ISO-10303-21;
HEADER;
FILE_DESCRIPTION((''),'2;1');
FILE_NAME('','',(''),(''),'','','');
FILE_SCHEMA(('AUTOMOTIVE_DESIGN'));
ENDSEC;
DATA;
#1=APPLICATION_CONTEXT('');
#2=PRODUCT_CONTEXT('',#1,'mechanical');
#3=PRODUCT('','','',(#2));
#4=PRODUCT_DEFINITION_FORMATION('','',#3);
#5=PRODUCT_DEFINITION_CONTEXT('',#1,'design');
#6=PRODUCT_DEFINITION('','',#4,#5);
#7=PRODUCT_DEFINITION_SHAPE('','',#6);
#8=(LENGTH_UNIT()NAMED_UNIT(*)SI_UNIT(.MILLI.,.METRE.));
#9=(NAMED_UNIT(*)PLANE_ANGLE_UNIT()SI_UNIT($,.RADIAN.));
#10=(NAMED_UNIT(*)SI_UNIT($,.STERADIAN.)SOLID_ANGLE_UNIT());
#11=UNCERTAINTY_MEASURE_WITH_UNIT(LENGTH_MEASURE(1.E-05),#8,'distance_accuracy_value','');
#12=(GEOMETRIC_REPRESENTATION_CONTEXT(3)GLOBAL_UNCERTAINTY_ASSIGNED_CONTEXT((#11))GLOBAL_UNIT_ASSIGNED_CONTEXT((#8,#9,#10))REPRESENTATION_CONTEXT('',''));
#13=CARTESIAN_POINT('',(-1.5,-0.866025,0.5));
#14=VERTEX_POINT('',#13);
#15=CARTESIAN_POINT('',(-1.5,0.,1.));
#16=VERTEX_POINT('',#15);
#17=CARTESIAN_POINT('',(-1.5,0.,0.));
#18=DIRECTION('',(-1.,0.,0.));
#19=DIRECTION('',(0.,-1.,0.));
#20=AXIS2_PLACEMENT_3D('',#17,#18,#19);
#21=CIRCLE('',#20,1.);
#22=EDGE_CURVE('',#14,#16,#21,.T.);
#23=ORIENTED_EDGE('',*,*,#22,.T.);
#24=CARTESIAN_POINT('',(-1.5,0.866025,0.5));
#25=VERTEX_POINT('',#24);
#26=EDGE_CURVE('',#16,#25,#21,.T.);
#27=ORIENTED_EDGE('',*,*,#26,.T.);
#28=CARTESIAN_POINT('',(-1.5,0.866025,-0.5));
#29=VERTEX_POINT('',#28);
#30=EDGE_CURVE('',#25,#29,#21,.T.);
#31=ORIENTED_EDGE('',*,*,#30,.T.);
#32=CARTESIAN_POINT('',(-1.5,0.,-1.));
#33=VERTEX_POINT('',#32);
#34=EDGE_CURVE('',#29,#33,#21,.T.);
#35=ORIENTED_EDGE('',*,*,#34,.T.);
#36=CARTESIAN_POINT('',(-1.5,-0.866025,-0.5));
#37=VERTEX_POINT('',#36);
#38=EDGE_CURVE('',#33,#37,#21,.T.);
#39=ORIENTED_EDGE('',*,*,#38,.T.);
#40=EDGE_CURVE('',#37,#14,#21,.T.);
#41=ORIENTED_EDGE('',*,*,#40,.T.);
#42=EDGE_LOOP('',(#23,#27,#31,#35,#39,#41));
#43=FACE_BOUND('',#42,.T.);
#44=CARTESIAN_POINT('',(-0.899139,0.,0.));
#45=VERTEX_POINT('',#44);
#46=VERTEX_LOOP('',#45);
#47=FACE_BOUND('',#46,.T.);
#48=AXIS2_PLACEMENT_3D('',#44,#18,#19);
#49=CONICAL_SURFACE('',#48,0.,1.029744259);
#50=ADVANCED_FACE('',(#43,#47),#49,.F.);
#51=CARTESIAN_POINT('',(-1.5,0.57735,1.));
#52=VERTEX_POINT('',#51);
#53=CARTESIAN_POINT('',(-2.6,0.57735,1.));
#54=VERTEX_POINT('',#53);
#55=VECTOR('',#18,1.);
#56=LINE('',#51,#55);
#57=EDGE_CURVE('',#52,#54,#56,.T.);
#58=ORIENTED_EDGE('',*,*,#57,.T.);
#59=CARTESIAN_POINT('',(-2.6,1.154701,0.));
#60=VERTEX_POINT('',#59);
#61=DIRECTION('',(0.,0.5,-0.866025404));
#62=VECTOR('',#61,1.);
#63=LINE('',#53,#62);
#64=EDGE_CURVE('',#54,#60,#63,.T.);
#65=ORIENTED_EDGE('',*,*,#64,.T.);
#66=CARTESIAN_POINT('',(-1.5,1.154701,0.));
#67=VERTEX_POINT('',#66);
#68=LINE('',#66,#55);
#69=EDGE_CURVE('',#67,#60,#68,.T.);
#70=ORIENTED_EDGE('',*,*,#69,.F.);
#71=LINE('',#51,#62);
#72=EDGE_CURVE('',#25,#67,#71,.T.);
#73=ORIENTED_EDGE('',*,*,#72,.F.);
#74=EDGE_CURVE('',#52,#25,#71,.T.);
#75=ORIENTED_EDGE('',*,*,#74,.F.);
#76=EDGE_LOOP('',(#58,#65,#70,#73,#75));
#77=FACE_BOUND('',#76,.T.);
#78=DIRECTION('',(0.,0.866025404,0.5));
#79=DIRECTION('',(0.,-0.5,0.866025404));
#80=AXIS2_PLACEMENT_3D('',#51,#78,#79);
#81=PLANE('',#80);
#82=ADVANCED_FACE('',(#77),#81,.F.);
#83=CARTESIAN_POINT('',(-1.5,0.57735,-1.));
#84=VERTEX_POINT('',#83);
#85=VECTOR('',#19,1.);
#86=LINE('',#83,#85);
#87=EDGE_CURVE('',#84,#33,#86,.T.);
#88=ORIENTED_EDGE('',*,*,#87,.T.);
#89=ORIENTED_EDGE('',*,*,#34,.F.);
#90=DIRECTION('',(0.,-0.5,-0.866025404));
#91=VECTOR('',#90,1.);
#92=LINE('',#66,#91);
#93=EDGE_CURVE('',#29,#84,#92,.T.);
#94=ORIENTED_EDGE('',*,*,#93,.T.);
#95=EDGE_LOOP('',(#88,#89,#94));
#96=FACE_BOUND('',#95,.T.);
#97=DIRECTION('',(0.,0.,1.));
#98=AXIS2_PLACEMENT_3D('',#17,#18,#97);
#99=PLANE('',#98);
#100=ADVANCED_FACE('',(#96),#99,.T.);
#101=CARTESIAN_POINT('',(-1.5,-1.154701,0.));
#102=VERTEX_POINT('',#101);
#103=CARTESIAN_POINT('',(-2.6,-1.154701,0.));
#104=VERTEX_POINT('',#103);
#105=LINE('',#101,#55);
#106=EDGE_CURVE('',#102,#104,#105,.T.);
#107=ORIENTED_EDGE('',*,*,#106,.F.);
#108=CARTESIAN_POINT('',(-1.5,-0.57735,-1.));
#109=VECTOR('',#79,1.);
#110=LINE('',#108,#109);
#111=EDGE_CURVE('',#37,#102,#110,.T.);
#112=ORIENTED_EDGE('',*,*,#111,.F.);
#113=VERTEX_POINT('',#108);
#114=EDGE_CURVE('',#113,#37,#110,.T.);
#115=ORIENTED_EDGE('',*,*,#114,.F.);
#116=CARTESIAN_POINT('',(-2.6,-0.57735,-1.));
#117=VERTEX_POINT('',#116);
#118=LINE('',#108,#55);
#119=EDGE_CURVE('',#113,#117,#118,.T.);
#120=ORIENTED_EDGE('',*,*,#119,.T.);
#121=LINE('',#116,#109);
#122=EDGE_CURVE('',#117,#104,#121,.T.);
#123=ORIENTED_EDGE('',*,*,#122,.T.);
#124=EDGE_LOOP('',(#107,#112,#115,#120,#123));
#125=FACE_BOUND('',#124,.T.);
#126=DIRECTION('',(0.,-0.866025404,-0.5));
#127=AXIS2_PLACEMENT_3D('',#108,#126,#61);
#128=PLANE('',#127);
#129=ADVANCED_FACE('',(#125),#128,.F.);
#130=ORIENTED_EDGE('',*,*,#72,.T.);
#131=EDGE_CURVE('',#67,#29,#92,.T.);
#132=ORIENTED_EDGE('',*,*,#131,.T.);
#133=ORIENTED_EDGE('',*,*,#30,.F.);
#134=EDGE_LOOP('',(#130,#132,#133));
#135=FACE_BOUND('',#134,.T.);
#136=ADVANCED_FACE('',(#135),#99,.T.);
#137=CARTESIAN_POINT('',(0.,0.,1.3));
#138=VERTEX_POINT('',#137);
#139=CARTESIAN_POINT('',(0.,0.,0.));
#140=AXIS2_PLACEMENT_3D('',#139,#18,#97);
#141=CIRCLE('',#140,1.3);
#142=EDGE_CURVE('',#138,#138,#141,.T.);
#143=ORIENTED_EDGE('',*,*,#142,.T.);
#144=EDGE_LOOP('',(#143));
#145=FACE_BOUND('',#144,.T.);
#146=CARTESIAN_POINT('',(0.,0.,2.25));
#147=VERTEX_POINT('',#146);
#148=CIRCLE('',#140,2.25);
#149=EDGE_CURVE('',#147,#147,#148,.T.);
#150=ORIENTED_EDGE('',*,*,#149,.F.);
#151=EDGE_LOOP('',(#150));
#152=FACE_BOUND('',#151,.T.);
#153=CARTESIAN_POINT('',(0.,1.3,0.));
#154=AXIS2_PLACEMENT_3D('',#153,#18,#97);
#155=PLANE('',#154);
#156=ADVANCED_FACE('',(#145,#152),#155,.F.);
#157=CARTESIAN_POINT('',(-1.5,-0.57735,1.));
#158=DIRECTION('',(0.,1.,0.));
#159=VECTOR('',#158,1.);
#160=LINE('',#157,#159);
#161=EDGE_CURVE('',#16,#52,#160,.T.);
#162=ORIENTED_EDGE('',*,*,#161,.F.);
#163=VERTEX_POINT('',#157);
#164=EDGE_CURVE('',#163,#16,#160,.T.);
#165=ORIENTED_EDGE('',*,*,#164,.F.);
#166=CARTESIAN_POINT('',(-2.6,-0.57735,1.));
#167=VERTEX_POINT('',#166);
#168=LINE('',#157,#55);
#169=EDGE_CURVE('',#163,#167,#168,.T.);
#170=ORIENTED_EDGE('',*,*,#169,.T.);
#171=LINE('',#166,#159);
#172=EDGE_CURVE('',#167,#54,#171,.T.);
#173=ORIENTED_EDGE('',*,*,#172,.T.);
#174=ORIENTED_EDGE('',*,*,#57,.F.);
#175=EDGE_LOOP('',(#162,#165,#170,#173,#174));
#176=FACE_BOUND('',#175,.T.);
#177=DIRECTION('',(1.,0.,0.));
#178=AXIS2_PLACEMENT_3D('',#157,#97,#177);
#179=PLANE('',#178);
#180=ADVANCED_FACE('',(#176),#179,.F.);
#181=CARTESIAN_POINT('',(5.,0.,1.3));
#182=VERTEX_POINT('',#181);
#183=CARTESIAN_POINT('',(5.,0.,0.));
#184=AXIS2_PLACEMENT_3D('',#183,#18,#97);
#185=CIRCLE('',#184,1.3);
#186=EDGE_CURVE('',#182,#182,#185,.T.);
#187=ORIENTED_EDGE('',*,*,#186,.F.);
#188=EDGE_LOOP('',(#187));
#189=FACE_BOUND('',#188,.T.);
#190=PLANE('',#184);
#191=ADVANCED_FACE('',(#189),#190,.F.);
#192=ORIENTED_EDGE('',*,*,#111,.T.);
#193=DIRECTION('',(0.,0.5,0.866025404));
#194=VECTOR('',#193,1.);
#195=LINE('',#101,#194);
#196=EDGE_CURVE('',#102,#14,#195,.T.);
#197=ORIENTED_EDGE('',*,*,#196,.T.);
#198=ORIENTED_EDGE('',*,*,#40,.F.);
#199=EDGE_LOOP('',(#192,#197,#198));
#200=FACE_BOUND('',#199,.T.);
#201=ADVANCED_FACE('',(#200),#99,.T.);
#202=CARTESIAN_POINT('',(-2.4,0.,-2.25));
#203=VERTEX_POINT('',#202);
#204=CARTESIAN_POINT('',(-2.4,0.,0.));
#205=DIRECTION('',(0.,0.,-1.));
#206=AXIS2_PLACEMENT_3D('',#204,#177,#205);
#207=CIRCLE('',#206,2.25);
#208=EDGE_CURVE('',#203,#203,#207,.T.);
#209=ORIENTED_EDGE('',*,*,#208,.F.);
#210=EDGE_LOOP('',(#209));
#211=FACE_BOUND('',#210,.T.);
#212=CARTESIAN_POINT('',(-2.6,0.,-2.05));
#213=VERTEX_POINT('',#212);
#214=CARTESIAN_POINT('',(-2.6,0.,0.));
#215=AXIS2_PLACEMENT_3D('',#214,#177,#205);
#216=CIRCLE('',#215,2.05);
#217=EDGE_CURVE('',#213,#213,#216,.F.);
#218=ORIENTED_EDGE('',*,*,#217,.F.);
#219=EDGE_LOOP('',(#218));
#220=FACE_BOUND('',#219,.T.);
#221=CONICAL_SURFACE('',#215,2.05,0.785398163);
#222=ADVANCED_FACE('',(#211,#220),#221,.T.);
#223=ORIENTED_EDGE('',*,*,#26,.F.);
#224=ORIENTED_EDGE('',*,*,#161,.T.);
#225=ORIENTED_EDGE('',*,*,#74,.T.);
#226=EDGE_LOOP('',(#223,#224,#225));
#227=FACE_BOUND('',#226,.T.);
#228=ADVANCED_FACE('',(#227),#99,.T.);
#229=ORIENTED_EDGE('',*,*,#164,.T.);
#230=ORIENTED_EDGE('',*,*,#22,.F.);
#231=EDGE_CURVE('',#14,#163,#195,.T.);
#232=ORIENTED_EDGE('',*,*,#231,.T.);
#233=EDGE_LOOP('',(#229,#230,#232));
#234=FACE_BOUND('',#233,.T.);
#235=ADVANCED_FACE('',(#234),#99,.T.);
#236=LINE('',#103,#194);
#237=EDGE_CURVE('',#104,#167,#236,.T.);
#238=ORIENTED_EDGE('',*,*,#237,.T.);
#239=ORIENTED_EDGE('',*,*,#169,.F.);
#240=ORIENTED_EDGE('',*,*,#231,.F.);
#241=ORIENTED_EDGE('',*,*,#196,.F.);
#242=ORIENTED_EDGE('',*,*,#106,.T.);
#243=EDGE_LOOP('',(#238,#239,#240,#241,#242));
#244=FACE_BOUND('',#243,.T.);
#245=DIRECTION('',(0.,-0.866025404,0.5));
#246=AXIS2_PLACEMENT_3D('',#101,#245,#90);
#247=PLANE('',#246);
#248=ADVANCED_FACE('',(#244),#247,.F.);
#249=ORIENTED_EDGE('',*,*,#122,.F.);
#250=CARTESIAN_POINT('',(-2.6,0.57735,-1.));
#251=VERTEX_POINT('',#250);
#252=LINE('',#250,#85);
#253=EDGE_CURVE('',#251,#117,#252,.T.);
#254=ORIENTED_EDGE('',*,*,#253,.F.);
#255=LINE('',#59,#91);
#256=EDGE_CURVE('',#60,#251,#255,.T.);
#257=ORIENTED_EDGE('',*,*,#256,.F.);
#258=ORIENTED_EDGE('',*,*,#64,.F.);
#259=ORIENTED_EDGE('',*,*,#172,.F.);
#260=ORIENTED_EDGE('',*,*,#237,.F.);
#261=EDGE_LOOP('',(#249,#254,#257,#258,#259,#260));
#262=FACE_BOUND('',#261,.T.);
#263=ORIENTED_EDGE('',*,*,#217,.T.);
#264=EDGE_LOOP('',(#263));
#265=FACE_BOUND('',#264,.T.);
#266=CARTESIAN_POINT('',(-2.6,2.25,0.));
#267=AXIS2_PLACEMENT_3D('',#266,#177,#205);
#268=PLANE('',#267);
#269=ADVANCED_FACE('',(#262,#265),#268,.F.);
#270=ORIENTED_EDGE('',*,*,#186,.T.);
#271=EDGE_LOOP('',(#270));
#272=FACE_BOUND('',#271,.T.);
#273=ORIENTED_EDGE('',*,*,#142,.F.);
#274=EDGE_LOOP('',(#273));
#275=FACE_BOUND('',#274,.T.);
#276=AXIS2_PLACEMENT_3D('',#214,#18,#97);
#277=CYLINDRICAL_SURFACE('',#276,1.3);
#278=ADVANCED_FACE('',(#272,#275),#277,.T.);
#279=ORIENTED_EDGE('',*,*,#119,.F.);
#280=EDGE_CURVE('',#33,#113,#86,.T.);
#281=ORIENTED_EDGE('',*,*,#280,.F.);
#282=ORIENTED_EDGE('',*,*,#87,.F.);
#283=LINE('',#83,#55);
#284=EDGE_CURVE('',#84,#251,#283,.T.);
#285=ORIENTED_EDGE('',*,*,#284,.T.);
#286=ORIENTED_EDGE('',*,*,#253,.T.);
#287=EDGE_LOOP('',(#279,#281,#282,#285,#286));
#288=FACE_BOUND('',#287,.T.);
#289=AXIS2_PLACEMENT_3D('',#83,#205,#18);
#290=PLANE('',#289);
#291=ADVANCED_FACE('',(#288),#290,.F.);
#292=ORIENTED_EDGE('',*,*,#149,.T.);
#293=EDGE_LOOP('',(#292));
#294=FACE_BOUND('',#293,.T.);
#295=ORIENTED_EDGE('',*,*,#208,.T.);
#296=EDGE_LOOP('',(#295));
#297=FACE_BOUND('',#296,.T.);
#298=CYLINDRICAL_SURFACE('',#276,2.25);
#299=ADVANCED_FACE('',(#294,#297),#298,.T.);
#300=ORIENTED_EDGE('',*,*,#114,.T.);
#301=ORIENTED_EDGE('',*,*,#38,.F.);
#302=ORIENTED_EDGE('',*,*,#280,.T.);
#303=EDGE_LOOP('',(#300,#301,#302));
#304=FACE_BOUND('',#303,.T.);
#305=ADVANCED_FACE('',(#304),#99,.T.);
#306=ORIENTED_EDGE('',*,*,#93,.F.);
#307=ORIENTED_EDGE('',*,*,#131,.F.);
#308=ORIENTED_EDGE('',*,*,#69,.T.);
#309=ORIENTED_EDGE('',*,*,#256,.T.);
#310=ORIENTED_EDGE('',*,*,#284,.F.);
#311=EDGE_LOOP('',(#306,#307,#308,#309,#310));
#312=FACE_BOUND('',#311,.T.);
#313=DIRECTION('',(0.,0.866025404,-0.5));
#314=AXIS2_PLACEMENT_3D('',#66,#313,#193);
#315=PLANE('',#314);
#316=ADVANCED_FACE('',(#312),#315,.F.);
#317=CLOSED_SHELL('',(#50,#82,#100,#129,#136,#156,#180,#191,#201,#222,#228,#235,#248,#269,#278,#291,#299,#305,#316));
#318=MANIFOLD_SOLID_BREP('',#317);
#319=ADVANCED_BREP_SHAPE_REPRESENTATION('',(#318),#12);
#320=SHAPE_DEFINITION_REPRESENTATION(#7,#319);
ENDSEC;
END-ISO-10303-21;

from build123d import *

# Parameters (mm, degrees)
CHAMFER1_SIZE      = 0.2
CUT_EXTRUDE1_DEPTH = 1.1


with BuildPart() as part:
    # Sketch1 → Revolve1 (revolve)
    with BuildSketch(Plane.XY, mode=Mode.PRIVATE) as revolve1_sk:
        Polygon((-2.6, 0), (5, 0), (5, 1.3), (0, 1.3), (0, 2.25), (-2.6, 2.25), align=None)
    revolve(revolve1_sk.sketch.rotate(Axis((-2.6, 0, 0), (1, 0, 0)), 90), axis=Axis((-2.6, 0, 0), (1, 0, 0)))

    # Chamfer1
    chamfer1_edges = [part.edges().sort_by_distance(p)[0] for p in [
        (-2.6, 0, -2.25),
    ]]
    chamfer(chamfer1_edges, length=CHAMFER1_SIZE)

    # Sketch2 → Cut-Revolve1 (revolve, cut)
    with BuildSketch(Plane.XY, mode=Mode.PRIVATE) as cut_revolve1_sk:
        Polygon((-0.899139381, 0), (-1.5, 1), (-2.6, 1), (-2.6, 0), align=None)
    revolve(cut_revolve1_sk.sketch.rotate(Axis((-2.6, 0, 0), (1, 0, 0)), 180), axis=Axis((-2.6, 0, 0), (1, 0, 0)), mode=Mode.SUBTRACT)

    # Sketch3 → Cut-Extrude1 (cut)
    with BuildSketch(Plane.ZY.offset(2.6)):
        Polygon((0, -1.154700538), (1, -0.577350269), (1, 0.577350269), (0, 1.154700538), (-1, 0.577350269), (-1, -0.577350269), align=None)
    extrude(amount=-CUT_EXTRUDE1_DEPTH, mode=Mode.SUBTRACT)


solid = part.part
